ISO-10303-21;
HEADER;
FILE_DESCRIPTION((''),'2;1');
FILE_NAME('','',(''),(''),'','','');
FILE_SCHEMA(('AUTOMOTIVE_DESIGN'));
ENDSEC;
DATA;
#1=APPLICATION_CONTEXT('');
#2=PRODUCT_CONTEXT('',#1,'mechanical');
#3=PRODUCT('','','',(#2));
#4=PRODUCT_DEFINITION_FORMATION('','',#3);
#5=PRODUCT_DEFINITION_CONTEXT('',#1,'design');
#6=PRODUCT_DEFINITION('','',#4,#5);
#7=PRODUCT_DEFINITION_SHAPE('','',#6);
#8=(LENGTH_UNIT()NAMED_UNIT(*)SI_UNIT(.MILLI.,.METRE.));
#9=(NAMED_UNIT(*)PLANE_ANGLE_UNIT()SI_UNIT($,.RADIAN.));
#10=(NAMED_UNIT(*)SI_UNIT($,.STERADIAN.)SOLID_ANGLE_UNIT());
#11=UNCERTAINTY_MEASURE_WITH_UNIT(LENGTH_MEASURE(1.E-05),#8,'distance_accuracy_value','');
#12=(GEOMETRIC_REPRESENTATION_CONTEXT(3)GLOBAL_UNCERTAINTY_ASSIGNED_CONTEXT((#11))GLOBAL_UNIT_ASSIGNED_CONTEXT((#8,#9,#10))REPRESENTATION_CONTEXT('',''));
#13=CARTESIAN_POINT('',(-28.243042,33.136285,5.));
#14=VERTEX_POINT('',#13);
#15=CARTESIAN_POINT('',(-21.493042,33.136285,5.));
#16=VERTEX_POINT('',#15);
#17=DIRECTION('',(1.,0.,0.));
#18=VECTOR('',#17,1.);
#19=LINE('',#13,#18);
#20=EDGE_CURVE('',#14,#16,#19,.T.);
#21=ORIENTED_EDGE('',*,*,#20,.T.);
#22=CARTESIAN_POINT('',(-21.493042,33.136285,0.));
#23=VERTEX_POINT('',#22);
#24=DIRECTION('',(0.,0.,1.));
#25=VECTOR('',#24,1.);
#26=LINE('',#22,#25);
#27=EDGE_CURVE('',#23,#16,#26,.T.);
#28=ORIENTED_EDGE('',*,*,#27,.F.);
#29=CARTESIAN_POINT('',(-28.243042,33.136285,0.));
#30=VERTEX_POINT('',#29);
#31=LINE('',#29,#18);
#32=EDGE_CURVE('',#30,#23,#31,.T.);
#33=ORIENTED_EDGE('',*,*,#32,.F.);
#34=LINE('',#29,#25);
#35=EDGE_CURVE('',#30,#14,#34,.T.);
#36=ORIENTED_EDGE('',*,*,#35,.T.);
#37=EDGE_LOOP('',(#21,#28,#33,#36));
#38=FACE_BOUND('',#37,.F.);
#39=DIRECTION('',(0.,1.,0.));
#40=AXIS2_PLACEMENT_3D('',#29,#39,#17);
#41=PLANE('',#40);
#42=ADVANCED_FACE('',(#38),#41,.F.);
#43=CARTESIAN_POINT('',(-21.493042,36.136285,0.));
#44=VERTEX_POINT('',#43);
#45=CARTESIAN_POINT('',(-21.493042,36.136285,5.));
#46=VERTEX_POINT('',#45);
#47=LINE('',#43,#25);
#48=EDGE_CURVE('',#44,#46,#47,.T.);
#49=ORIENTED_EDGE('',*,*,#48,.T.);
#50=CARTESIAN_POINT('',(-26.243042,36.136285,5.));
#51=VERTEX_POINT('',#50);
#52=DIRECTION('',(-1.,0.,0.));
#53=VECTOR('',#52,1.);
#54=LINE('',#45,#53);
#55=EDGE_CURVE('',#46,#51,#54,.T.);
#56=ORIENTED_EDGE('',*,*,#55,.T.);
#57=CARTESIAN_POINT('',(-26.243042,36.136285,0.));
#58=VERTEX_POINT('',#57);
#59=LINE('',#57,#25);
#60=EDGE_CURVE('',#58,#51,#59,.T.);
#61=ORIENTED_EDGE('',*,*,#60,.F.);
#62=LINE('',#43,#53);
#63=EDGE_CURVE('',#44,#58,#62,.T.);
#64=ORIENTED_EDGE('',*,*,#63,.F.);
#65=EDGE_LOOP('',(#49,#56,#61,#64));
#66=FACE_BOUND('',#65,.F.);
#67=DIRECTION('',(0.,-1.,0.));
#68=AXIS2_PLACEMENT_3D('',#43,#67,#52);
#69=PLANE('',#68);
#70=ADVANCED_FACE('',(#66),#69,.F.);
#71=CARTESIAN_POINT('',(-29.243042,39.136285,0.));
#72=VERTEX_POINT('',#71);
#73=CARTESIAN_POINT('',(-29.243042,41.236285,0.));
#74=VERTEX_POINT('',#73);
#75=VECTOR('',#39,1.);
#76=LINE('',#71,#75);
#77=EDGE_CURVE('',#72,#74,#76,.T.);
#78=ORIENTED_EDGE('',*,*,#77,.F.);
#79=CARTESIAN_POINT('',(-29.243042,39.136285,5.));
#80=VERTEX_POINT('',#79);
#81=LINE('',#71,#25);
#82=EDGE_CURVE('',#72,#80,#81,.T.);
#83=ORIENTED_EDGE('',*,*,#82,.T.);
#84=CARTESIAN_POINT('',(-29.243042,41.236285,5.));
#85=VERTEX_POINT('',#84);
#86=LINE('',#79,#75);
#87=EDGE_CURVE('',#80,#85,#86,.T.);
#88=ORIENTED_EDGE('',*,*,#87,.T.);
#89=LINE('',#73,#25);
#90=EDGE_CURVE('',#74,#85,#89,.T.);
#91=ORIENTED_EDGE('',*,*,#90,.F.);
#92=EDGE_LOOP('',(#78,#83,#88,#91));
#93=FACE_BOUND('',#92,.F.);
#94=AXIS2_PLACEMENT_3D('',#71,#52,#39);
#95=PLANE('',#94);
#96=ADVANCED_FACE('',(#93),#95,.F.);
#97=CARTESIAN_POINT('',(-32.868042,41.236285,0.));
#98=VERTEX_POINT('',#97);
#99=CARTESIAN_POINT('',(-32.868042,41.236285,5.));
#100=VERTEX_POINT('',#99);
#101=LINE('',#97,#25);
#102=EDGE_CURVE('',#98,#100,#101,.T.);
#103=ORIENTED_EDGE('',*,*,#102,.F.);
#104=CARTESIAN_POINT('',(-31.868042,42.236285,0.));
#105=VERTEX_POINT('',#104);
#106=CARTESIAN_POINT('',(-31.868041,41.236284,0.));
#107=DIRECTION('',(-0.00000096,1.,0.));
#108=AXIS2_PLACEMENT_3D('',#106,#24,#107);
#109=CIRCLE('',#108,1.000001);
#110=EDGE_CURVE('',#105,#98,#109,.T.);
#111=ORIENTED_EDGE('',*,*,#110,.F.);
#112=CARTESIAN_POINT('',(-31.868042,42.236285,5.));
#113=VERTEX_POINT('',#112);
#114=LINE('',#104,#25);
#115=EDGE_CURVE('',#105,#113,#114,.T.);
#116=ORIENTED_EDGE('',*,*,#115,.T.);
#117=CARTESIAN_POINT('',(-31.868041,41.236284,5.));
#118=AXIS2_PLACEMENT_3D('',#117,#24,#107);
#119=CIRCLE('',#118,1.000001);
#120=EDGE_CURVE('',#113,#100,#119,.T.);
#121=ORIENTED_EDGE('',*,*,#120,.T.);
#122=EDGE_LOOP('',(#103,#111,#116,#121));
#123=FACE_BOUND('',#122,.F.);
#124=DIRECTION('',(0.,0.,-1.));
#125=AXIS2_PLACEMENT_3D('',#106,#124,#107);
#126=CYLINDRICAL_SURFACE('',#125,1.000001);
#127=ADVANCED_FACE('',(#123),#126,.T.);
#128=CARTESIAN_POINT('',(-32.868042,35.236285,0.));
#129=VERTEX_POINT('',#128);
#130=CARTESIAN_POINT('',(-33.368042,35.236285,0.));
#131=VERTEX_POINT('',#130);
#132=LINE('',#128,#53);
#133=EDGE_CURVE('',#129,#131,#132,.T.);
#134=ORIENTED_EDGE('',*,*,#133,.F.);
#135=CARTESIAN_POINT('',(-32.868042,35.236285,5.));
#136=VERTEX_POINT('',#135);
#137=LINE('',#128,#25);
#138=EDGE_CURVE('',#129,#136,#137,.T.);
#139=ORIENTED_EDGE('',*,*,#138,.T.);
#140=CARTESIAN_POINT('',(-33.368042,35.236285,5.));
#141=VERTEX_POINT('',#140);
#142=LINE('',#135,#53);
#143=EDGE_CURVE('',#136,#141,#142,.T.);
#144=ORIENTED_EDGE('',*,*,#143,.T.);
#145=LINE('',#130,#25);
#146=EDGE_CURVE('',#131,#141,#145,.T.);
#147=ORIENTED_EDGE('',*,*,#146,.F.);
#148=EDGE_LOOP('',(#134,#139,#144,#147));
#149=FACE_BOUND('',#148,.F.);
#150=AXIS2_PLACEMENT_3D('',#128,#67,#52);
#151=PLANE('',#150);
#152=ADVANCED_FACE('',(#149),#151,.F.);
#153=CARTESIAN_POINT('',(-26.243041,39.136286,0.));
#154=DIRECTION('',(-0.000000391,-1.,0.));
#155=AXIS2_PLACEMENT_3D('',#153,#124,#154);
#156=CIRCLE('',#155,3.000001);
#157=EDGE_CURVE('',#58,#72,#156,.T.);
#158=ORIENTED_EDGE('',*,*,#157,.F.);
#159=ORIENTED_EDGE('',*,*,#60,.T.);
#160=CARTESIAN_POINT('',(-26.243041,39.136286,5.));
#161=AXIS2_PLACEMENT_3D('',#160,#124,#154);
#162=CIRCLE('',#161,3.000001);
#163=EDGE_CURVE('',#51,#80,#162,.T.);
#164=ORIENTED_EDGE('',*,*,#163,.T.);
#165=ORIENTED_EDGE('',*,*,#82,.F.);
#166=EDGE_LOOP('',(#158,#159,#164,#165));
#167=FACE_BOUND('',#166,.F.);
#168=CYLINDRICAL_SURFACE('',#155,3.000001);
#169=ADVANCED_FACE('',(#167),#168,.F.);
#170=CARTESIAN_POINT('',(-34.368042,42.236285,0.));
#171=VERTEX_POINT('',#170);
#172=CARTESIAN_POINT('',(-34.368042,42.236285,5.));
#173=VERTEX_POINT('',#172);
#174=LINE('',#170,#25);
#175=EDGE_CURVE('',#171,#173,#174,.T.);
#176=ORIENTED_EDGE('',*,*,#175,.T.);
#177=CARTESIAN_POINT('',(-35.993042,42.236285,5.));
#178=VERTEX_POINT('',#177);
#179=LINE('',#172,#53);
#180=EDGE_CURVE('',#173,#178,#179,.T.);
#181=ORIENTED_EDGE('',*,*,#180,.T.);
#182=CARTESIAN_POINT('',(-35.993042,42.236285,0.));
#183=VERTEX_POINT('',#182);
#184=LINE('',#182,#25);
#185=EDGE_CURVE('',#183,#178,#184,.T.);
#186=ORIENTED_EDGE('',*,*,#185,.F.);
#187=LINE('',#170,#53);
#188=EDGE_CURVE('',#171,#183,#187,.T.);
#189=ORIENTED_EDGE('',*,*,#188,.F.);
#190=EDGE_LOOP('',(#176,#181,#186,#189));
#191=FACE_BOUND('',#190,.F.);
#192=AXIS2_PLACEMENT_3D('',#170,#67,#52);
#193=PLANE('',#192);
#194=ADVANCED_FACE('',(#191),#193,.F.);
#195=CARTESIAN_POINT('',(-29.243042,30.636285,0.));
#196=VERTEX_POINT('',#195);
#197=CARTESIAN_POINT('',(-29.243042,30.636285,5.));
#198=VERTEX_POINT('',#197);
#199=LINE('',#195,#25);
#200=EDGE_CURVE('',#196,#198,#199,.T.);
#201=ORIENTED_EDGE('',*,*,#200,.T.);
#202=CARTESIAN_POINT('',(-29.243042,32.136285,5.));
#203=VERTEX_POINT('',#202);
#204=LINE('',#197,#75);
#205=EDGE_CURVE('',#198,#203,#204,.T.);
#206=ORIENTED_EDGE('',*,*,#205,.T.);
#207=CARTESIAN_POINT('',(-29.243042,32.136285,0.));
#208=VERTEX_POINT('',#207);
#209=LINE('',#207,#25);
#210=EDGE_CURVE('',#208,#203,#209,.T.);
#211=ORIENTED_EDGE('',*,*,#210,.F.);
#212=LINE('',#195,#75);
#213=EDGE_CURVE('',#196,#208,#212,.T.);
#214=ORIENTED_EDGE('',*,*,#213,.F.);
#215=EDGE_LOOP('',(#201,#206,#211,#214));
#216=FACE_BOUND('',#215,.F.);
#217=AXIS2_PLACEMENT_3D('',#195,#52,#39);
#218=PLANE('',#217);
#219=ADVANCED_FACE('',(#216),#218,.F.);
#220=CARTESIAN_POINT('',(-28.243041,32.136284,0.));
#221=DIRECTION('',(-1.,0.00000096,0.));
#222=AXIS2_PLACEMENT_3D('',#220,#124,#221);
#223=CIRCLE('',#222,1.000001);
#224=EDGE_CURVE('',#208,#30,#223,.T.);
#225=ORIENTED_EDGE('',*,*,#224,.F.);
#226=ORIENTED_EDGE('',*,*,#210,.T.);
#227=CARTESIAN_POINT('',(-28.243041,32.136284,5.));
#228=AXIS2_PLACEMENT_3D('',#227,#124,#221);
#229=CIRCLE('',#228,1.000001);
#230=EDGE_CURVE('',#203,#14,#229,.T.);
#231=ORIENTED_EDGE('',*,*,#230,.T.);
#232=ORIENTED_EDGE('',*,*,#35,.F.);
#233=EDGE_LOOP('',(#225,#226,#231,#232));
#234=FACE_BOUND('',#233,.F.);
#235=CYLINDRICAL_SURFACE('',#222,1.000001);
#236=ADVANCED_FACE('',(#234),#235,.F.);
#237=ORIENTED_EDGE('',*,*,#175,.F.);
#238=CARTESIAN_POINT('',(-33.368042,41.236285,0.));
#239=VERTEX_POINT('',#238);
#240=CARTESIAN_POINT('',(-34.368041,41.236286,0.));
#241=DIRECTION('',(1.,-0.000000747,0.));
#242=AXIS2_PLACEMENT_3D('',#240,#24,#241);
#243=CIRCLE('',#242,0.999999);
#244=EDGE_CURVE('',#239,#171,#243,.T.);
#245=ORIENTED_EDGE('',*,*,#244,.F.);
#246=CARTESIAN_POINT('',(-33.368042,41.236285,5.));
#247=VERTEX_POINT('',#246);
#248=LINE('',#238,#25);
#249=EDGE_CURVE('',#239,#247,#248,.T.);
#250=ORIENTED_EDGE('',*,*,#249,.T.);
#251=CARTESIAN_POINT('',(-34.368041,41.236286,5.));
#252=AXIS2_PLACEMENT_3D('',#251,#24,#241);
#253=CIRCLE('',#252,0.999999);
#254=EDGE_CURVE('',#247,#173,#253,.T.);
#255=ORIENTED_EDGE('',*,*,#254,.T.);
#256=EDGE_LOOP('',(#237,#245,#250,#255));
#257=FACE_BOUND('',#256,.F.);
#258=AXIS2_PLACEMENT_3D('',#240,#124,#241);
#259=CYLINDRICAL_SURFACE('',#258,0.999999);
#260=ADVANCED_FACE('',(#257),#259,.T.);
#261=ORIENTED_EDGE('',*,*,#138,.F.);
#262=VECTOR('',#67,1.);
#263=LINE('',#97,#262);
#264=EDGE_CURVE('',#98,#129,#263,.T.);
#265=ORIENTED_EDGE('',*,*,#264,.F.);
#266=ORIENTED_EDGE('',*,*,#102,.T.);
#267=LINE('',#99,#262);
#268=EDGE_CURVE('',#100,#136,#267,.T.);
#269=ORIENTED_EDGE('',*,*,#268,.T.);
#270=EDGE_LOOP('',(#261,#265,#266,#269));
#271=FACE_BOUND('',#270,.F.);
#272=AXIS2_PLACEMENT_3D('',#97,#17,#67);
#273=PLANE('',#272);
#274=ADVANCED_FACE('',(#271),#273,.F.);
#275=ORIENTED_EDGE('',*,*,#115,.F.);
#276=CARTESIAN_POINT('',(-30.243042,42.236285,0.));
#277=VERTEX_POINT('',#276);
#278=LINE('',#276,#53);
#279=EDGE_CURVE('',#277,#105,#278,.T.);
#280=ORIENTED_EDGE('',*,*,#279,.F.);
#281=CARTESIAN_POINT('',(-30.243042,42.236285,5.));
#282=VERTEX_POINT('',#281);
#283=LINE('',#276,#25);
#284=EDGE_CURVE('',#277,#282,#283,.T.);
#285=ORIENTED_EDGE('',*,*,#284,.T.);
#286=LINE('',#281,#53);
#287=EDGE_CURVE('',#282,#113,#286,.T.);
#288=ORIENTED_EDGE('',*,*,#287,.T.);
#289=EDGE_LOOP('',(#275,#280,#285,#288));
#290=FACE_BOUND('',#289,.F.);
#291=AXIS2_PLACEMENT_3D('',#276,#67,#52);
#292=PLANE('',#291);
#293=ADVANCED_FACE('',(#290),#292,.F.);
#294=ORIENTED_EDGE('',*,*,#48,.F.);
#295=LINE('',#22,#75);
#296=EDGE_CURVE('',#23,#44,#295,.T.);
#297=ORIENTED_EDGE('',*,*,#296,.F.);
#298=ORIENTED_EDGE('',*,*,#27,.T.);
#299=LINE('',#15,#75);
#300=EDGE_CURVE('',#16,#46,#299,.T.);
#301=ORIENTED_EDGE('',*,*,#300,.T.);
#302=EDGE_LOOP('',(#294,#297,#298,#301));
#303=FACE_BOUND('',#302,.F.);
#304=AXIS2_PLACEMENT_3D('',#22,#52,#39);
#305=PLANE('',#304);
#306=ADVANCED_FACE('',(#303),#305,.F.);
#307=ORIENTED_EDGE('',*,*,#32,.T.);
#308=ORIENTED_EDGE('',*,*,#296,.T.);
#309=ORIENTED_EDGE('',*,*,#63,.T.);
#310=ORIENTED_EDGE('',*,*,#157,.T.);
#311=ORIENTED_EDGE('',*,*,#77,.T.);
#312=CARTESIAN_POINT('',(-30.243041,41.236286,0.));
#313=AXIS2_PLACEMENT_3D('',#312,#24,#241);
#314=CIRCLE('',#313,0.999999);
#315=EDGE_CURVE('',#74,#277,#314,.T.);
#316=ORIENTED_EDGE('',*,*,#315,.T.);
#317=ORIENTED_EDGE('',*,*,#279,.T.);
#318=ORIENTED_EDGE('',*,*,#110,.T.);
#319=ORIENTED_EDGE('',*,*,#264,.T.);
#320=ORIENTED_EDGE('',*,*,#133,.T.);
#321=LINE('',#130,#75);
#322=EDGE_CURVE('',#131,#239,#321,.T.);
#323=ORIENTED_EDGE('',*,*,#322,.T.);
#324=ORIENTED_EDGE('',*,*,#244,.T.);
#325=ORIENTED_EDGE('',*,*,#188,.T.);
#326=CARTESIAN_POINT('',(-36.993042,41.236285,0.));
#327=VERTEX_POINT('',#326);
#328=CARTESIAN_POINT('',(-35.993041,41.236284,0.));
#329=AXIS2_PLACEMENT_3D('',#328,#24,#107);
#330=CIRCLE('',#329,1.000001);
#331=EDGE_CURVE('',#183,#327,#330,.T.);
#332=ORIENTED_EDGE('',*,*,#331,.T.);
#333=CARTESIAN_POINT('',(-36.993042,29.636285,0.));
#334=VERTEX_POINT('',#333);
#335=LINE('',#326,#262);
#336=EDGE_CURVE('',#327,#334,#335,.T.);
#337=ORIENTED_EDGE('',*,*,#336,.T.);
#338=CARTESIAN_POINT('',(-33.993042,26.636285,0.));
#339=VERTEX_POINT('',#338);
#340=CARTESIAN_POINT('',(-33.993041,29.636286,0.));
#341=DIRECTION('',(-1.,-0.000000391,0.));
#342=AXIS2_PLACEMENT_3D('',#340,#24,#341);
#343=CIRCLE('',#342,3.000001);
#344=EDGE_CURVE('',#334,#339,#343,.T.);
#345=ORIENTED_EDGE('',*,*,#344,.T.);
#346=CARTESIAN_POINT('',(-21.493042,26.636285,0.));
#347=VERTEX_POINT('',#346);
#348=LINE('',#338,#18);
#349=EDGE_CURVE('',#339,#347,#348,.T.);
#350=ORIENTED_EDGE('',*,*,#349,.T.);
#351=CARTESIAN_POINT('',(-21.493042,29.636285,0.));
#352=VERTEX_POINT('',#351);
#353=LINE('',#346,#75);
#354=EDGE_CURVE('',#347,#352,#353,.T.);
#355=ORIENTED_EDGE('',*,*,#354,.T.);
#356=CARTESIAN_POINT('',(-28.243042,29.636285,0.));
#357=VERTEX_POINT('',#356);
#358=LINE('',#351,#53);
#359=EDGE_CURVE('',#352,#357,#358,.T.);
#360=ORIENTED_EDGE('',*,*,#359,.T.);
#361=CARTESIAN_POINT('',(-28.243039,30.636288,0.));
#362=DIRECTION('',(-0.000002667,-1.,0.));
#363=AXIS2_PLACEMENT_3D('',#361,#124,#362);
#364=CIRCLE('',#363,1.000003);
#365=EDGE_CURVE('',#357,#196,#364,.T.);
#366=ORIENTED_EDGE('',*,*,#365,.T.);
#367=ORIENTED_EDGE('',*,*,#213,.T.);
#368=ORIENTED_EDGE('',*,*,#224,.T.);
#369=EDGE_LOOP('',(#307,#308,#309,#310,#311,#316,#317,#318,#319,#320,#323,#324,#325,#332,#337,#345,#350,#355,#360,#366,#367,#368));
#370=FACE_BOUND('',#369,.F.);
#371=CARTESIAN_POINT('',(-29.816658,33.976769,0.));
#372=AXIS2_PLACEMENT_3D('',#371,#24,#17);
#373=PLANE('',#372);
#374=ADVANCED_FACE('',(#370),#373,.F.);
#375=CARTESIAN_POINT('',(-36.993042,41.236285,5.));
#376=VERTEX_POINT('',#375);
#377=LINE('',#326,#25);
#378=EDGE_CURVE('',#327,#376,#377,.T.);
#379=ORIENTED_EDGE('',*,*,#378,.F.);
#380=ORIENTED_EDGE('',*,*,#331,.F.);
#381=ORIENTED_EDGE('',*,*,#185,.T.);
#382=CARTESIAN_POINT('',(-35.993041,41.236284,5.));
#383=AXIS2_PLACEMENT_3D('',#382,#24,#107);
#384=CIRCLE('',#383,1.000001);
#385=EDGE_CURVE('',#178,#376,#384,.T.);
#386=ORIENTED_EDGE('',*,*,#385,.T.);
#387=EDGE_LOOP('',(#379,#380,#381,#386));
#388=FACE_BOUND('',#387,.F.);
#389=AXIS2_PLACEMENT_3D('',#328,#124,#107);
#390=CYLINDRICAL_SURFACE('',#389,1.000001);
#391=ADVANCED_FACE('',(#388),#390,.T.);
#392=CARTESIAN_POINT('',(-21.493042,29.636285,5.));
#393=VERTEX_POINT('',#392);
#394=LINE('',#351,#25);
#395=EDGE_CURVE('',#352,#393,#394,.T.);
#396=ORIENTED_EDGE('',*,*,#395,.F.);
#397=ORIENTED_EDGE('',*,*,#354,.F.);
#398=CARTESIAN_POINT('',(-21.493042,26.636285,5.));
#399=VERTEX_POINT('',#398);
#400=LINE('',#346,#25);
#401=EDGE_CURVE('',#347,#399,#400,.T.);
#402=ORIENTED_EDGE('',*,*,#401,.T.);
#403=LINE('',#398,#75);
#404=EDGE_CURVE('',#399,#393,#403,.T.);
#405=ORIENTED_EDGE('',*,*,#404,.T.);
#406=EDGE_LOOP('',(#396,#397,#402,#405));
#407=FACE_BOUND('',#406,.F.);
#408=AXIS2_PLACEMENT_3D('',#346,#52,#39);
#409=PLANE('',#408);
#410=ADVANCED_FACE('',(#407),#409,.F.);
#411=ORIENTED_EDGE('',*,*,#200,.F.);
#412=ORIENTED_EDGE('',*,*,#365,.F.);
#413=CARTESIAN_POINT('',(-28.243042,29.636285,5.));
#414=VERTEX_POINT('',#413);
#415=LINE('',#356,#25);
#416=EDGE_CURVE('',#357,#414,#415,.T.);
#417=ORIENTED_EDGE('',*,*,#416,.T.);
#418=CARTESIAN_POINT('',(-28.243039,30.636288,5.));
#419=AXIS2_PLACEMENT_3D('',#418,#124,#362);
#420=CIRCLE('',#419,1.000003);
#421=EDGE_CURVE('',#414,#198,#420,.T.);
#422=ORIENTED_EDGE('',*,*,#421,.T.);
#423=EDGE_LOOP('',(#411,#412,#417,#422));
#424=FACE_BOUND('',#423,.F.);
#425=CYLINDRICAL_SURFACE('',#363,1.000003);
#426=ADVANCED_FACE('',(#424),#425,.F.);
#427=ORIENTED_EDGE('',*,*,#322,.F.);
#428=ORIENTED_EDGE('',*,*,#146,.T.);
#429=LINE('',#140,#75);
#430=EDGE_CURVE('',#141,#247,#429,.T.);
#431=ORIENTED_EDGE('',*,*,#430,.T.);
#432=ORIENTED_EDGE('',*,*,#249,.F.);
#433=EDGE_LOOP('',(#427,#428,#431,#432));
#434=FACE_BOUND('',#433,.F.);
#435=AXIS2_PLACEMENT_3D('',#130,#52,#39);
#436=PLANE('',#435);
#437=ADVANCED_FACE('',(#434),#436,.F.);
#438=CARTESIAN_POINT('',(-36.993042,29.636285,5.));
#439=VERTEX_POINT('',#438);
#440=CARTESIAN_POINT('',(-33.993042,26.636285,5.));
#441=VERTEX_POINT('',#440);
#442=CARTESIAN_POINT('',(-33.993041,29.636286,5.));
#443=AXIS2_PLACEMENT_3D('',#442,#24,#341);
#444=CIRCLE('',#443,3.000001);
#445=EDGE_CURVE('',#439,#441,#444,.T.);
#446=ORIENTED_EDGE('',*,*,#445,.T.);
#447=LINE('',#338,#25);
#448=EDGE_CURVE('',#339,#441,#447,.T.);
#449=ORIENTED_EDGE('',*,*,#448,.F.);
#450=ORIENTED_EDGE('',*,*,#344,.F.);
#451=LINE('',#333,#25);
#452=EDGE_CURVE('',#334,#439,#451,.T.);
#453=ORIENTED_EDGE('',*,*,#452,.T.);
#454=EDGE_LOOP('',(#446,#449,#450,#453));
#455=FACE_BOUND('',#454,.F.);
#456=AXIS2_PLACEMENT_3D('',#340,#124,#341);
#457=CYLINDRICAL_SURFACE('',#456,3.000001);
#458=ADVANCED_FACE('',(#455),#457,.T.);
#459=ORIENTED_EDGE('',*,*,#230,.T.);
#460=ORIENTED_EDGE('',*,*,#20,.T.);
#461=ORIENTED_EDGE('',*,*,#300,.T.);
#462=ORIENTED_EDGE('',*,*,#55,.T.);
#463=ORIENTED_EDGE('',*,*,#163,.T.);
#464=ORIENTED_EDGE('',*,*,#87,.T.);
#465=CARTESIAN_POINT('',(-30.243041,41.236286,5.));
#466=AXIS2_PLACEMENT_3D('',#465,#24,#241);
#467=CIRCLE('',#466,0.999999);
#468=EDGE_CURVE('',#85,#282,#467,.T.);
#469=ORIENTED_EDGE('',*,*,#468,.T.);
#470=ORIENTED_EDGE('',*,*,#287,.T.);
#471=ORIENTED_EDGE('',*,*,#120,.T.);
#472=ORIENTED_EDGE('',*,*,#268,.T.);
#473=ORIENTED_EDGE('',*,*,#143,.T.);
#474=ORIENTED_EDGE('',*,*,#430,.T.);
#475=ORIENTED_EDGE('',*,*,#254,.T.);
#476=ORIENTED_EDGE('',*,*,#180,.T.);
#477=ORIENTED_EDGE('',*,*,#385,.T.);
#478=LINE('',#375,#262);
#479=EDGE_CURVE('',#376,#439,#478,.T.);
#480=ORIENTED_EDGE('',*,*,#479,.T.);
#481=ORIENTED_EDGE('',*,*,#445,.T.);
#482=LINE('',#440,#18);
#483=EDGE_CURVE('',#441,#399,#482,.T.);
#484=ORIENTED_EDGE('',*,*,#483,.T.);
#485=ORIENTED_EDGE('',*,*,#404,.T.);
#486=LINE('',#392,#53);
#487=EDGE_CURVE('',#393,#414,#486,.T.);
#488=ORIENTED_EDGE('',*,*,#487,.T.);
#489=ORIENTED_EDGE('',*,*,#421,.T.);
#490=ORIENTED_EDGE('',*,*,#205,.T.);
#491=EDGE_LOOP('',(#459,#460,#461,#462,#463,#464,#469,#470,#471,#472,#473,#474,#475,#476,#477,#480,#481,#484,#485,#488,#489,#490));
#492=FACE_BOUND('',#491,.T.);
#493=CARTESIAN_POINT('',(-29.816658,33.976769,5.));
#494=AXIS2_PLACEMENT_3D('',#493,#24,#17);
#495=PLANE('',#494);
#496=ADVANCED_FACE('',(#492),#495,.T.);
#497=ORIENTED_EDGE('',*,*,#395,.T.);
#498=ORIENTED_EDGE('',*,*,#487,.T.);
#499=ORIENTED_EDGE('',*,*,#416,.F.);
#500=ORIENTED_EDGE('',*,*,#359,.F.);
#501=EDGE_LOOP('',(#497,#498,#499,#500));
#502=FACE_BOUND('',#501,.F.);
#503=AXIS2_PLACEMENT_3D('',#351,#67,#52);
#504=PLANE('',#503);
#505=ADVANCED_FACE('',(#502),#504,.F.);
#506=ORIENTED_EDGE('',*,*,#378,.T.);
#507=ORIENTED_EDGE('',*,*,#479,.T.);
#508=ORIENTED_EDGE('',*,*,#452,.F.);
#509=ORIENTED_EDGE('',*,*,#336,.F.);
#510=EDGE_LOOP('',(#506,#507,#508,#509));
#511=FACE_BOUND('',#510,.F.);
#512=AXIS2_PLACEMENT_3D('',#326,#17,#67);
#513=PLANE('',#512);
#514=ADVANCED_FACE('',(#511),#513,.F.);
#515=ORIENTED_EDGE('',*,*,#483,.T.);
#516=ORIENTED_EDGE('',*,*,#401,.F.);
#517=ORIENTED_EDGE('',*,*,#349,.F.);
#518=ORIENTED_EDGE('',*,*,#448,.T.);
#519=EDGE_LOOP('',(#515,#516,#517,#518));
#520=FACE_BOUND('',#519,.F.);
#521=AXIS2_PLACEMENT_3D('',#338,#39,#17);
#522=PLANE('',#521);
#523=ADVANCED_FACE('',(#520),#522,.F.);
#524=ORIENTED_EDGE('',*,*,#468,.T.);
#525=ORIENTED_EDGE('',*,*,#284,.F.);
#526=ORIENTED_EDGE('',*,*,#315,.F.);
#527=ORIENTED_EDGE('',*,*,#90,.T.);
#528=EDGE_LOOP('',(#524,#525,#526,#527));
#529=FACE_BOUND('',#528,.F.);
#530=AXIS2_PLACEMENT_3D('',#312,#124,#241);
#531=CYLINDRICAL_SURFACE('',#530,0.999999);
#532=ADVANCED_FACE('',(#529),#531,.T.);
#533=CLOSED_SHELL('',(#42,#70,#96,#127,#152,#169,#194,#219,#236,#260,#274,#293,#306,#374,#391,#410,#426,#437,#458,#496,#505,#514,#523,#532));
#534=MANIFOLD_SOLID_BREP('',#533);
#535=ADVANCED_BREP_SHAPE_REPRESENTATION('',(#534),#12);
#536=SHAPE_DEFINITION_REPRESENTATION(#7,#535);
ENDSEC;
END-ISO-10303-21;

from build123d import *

# Parameters (mm, degrees)
F1_DEPTH = 5


with BuildPart() as f1:
    # F0 (on Top) → F1 (new body)
    with BuildSketch(Plane.XY):
        with BuildLine():
            Line((-34.368042, 42.236285), (-35.993042, 42.236285))
            ThreePointArc((-35.993042, 42.236285), (-36.700148, 41.943392), (-36.993042, 41.236285))
            Line((-36.993042, 41.236285), (-36.993042, 29.636285))
            ThreePointArc((-36.993042, 29.636285), (-36.114362, 27.514965), (-33.993042, 26.636285))
            Line((-33.993042, 26.636285), (-21.493042, 26.636285))
            Line((-21.493042, 26.636285), (-21.493042, 29.636285))
            Line((-21.493042, 29.636285), (-28.243042, 29.636285))
            ThreePointArc((-28.243042, 29.636285), (-28.950148, 29.929179), (-29.243042, 30.636285))
            Line((-29.243042, 30.636285), (-29.243042, 32.136285))
            ThreePointArc((-29.243042, 32.136285), (-28.950148, 32.843392), (-28.243042, 33.136285))
            Line((-28.243042, 33.136285), (-21.493042, 33.136285))
            Line((-21.493042, 33.136285), (-21.493042, 36.136285))
            Line((-21.493042, 36.136285), (-26.243042, 36.136285))
            ThreePointArc((-26.243042, 36.136285), (-28.364362, 37.014965), (-29.243042, 39.136285))
            Line((-29.243042, 39.136285), (-29.243042, 41.236285))
            ThreePointArc((-29.243042, 41.236285), (-29.535935, 41.943392), (-30.243042, 42.236285))
            Line((-30.243042, 42.236285), (-31.868042, 42.236285))
            ThreePointArc((-31.868042, 42.236285), (-32.575148, 41.943392), (-32.868042, 41.236285))
            Line((-32.868042, 41.236285), (-32.868042, 35.236285))
            Line((-32.868042, 35.236285), (-33.368042, 35.236285))
            Line((-33.368042, 35.236285), (-33.368042, 41.236285))
            ThreePointArc((-33.368042, 41.236285), (-33.660935, 41.943392), (-34.368042, 42.236285))
        make_face()
    extrude(amount=F1_DEPTH)


solid = f1.part
